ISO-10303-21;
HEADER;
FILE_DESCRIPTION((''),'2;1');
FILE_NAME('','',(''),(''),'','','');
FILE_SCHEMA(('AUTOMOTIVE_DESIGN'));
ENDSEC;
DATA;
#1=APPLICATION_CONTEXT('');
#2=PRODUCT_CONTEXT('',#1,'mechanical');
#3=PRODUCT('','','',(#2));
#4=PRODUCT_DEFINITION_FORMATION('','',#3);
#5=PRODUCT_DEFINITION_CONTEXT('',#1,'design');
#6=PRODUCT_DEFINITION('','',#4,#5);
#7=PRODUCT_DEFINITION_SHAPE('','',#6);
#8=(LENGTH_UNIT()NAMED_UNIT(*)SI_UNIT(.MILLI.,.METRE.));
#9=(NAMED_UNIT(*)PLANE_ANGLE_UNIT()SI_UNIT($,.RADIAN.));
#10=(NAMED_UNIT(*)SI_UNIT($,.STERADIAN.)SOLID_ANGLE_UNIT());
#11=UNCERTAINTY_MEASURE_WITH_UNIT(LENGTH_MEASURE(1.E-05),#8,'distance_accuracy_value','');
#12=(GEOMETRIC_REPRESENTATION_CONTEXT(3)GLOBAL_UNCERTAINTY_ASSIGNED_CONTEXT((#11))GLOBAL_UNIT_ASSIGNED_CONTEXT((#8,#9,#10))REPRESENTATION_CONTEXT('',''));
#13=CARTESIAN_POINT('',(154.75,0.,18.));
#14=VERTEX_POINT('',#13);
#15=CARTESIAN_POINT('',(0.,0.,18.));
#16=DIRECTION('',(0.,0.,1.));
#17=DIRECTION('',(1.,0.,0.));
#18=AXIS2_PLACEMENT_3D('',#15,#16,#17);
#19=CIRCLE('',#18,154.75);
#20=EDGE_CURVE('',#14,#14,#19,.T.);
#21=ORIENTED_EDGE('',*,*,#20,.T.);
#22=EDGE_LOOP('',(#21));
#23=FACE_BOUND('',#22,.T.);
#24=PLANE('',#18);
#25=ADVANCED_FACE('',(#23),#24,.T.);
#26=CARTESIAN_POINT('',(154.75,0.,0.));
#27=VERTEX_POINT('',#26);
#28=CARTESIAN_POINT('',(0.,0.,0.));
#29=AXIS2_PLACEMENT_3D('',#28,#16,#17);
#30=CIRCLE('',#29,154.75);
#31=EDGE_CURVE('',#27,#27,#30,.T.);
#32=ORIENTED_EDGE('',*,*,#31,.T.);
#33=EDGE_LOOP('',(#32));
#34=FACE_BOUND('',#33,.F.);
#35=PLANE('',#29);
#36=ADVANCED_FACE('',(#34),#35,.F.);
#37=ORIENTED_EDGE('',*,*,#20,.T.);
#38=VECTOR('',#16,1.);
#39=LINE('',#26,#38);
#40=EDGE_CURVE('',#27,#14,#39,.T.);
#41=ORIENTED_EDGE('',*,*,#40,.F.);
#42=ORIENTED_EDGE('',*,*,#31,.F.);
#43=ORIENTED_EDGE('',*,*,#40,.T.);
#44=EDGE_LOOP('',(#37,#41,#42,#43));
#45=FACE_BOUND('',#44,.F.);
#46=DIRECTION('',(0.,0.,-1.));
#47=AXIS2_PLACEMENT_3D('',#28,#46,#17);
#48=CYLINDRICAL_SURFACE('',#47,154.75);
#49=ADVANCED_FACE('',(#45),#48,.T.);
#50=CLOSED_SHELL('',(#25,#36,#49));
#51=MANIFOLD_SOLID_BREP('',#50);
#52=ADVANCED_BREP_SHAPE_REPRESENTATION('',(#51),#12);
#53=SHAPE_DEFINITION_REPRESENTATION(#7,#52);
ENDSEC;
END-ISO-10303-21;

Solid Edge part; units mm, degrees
sketch "Sketch1" plane through (0, 0, 0) normal (0, 0, 1) x (1, 0, 0)
  circle A0 centre (0, 0) radius 154.75
extrude "Protrusion1" add sketch "Sketch1" along normal blind 18
properties material "Wood, Ash"
